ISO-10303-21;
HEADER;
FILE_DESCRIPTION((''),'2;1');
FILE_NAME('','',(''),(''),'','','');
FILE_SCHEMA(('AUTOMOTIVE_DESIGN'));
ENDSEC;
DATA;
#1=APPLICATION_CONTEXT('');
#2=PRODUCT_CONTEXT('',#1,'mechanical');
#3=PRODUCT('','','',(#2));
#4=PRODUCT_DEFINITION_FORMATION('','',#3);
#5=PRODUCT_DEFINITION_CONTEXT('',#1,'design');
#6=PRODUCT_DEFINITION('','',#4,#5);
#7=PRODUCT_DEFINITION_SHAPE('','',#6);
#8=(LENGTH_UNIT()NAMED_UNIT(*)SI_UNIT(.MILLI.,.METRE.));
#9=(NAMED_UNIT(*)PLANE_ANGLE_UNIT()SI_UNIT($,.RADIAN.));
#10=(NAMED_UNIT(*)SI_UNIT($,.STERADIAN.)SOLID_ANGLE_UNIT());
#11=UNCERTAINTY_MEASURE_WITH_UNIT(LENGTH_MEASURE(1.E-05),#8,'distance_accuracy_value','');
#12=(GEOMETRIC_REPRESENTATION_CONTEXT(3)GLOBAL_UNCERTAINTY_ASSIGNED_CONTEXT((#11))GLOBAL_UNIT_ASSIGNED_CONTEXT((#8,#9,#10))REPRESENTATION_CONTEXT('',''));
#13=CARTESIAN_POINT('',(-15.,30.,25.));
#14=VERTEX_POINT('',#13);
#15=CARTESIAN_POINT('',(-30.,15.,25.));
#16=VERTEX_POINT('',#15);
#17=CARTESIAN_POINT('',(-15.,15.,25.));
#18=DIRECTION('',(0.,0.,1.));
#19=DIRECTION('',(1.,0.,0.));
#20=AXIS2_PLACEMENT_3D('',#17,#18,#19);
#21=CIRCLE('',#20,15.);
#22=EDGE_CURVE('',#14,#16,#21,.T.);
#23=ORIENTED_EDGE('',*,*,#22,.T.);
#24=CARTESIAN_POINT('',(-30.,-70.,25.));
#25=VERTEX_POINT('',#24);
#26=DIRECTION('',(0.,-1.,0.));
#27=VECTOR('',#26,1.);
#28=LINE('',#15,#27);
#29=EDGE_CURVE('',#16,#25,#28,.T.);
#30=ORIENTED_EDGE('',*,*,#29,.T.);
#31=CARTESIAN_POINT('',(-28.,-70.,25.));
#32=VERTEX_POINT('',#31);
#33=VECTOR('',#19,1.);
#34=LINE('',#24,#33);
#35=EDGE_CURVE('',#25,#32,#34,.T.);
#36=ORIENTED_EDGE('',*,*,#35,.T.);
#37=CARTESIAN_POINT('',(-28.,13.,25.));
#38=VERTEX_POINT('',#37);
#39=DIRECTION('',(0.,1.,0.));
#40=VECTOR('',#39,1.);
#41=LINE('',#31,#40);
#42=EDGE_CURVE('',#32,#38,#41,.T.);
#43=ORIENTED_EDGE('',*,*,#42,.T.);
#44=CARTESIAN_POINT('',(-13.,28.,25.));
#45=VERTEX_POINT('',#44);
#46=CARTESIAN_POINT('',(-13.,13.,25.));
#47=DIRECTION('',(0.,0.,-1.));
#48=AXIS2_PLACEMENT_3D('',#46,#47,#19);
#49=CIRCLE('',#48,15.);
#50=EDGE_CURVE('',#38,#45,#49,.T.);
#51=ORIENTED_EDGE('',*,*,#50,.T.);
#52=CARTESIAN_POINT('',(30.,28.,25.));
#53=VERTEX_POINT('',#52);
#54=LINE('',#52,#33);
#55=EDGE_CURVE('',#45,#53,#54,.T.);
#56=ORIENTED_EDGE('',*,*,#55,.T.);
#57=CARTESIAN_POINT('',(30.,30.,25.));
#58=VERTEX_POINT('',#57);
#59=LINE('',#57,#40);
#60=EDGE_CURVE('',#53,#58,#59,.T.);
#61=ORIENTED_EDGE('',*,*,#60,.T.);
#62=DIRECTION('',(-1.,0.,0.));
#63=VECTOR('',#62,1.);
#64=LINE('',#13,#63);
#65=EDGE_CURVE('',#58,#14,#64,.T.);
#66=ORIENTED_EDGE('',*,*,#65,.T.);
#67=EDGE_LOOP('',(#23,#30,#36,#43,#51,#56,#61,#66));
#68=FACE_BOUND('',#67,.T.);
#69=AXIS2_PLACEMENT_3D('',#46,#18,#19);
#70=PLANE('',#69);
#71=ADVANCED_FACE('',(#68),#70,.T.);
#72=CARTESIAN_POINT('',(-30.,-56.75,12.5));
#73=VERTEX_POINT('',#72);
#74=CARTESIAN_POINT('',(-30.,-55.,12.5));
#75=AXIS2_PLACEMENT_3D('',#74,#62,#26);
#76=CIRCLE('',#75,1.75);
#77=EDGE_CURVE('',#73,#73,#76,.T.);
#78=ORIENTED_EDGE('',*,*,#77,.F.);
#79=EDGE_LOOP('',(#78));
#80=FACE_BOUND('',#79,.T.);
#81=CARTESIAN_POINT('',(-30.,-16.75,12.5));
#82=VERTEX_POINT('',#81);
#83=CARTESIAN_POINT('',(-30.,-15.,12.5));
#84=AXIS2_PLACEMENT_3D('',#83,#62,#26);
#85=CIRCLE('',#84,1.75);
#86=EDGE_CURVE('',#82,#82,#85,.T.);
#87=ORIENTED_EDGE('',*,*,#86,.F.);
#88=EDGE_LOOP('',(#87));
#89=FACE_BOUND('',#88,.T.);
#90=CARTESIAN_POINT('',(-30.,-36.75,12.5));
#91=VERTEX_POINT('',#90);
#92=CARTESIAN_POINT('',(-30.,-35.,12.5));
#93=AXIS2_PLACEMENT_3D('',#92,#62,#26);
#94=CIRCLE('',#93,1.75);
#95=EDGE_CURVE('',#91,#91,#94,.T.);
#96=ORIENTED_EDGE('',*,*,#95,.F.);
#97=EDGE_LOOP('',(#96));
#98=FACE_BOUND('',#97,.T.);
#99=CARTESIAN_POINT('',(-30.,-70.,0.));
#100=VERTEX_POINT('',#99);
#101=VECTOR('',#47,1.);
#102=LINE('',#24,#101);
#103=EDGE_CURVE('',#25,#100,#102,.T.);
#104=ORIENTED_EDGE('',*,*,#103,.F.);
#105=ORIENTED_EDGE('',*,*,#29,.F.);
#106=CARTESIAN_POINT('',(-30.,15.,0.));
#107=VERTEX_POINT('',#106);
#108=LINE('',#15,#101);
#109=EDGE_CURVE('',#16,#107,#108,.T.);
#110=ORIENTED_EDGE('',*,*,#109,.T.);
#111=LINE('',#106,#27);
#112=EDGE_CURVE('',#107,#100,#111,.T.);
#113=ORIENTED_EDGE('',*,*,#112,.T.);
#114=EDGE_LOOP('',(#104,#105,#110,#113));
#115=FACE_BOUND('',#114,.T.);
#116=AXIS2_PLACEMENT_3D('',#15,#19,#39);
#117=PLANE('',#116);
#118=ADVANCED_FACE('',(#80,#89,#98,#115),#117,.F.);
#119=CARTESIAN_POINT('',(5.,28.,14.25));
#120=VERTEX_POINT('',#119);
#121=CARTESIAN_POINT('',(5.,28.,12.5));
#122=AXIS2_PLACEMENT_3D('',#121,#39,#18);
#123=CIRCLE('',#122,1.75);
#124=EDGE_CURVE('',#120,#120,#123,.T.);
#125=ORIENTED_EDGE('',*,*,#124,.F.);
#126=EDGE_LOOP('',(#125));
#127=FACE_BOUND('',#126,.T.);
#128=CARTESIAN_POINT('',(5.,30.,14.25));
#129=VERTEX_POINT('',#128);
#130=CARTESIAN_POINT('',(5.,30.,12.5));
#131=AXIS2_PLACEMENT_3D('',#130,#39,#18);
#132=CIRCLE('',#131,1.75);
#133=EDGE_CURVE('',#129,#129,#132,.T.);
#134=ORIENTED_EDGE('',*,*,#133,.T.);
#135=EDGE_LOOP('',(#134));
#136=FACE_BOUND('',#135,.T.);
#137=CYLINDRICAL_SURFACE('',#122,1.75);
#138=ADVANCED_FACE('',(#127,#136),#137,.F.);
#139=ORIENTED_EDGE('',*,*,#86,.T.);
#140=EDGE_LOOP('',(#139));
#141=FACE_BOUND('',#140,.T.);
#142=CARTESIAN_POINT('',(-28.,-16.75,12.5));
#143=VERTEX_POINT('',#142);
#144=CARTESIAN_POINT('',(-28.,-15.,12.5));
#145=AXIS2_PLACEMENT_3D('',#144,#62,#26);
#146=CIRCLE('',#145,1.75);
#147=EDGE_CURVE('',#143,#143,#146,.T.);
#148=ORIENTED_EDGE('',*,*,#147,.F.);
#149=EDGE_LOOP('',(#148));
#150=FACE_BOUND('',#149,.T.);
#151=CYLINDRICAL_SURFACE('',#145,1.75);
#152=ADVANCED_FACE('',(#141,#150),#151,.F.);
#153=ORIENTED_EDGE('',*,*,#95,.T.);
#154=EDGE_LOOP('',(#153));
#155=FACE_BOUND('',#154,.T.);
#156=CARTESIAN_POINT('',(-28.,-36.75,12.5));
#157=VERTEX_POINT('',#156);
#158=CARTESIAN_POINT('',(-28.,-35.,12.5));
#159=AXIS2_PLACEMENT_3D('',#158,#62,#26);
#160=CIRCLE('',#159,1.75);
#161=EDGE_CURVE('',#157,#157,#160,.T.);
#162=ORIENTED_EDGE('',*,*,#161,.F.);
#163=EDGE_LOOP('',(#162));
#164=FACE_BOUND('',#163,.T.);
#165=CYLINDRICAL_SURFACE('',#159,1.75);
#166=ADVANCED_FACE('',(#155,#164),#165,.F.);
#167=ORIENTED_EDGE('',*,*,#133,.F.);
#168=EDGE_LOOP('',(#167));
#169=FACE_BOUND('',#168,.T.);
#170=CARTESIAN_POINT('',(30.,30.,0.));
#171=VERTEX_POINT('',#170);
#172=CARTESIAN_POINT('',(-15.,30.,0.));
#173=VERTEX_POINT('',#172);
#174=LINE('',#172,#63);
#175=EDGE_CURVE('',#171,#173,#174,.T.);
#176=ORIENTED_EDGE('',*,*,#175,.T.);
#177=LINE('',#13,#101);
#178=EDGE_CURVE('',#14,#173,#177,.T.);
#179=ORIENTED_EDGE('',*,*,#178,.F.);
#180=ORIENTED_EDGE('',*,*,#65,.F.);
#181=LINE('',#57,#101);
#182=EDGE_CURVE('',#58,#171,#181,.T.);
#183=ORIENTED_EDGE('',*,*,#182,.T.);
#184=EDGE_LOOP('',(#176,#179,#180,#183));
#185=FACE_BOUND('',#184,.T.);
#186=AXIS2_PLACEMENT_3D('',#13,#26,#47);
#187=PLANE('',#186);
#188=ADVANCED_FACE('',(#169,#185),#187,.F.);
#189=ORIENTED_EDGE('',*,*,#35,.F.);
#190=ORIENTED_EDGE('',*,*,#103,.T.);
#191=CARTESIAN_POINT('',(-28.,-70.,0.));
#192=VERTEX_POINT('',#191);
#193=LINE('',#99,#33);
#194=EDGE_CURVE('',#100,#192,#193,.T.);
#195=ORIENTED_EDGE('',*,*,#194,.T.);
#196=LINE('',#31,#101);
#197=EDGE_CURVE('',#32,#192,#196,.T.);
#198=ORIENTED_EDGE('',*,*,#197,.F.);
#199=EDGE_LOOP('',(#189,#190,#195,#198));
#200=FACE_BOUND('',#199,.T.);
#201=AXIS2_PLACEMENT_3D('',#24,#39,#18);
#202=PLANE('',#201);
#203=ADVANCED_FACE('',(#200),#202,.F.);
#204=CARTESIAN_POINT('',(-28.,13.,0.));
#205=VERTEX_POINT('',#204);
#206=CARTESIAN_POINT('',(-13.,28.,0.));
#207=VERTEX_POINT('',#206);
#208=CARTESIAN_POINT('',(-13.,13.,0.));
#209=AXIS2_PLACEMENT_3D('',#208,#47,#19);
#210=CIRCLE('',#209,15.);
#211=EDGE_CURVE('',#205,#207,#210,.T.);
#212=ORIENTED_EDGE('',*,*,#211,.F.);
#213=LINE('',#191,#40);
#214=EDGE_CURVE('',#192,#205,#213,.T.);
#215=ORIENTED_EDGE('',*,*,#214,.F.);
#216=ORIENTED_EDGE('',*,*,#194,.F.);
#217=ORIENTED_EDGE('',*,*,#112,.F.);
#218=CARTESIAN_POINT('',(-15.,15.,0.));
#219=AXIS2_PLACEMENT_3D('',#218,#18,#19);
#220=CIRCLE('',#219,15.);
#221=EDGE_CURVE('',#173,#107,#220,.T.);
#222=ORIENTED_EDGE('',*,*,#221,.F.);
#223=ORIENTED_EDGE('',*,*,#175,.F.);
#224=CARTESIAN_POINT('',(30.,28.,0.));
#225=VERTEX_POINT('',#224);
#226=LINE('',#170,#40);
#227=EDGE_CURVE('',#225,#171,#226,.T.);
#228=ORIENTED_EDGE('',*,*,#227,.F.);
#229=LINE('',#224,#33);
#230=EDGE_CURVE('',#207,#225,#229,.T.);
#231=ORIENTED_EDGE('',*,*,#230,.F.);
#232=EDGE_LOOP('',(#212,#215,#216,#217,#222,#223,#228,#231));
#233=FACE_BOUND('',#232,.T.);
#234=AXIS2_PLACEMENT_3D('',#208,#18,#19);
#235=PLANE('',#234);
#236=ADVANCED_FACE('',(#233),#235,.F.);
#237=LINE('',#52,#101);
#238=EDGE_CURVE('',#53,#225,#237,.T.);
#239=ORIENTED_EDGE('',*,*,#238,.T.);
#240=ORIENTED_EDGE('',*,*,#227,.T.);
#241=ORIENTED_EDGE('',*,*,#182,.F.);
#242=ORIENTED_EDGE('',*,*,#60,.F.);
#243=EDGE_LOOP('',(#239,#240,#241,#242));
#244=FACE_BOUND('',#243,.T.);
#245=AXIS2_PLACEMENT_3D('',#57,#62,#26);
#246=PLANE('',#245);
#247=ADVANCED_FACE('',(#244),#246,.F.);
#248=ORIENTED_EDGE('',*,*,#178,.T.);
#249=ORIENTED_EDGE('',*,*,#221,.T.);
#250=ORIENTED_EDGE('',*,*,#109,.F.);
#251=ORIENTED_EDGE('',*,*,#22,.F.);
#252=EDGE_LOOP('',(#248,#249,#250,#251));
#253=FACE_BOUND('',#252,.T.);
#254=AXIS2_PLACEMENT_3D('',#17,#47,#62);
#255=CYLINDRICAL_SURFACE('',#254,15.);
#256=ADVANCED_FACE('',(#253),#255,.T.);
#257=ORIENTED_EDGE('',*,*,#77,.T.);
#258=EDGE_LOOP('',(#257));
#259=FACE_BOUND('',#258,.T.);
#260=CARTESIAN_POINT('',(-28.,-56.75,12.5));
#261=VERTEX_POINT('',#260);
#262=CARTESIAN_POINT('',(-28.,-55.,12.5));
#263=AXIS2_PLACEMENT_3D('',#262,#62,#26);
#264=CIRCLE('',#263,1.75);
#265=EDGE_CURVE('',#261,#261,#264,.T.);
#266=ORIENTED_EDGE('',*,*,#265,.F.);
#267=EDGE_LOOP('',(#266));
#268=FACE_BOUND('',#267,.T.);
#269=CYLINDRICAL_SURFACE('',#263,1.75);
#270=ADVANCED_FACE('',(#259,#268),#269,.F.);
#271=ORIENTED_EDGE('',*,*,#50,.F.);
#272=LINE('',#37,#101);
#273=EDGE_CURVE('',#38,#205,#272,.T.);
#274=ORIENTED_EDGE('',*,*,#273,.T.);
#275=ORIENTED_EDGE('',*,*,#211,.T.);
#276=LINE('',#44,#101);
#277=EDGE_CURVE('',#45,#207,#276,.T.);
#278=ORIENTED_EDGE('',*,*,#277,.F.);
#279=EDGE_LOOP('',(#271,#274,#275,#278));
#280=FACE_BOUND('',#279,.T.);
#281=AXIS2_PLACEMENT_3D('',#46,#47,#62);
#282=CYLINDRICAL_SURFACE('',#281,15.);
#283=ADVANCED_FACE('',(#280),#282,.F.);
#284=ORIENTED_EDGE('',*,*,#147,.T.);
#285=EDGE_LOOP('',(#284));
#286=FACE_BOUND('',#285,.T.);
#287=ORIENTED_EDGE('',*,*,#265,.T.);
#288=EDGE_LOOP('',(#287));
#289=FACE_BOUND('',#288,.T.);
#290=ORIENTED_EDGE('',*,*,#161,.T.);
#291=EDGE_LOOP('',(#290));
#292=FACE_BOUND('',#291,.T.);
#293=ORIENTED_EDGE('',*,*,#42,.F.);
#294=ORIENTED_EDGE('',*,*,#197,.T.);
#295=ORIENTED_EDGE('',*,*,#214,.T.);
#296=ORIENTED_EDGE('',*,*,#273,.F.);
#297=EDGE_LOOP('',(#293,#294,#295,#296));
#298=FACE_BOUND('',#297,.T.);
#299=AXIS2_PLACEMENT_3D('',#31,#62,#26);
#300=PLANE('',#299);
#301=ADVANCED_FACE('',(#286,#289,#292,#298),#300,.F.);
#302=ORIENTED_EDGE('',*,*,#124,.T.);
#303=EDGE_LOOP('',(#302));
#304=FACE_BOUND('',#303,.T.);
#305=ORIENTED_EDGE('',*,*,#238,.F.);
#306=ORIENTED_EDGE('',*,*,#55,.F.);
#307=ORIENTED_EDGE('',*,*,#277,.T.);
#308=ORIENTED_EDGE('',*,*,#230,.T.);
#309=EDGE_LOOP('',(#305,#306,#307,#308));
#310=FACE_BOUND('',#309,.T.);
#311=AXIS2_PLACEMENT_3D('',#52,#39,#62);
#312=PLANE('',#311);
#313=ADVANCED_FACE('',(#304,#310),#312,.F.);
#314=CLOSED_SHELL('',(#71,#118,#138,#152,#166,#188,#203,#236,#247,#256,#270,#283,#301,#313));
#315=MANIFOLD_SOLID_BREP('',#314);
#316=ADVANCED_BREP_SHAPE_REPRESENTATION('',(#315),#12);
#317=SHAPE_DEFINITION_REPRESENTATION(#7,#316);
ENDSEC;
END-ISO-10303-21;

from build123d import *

# Parameters (mm, degrees)
BOSS_EXTRUDE1_DEPTH = 25
SKETCH2_R           = 1.75
CUT_EXTRUDE1_DEPTH  = 2
SKETCH3_R           = 1.75
CUT_EXTRUDE2_DEPTH  = 2


with BuildPart() as part:
    # Sketch1 → Boss-Extrude1 (new body)
    with BuildSketch(Plane.XY):
        with BuildLine():
            Line((-15, 30), (30, 30))
            Line((30, 30), (30, 28))
            Line((30, 28), (-13, 28))
            ThreePointArc((-13, 28), (-23.606601718, 23.606601718), (-28, 13))
            Line((-28, 13), (-28, -70))
            Line((-28, -70), (-30, -70))
            Line((-30, -70), (-30, 15))
            ThreePointArc((-30, 15), (-25.606601718, 25.606601718), (-15, 30))
        make_face()
    extrude(amount=BOSS_EXTRUDE1_DEPTH)

    # Sketch2 → Cut-Extrude1 (cut)
    with BuildSketch(Plane.ZY.offset(30)):
        with Locations(Location((12.5, -15, 0), (0, 0, 270))):
            Circle(SKETCH2_R)
        with Locations(Location((12.5, -35, 0), (0, 0, 270))):
            Circle(SKETCH2_R)
        with Locations(Location((12.5, -55, 0), (0, 0, 270))):
            Circle(SKETCH2_R)
    extrude(amount=-CUT_EXTRUDE1_DEPTH, mode=Mode.SUBTRACT)

    # Sketch3 → Cut-Extrude2 (cut)
    with BuildSketch(Plane(origin=(0, 30, 0), x_dir=(1, 0, 0), z_dir=(0, 1, 0))):
        with Locations(Location((5, -12.5, 0), (0, 0, 270))):
            Circle(SKETCH3_R)
    extrude(amount=-CUT_EXTRUDE2_DEPTH, mode=Mode.SUBTRACT)


solid = part.part
